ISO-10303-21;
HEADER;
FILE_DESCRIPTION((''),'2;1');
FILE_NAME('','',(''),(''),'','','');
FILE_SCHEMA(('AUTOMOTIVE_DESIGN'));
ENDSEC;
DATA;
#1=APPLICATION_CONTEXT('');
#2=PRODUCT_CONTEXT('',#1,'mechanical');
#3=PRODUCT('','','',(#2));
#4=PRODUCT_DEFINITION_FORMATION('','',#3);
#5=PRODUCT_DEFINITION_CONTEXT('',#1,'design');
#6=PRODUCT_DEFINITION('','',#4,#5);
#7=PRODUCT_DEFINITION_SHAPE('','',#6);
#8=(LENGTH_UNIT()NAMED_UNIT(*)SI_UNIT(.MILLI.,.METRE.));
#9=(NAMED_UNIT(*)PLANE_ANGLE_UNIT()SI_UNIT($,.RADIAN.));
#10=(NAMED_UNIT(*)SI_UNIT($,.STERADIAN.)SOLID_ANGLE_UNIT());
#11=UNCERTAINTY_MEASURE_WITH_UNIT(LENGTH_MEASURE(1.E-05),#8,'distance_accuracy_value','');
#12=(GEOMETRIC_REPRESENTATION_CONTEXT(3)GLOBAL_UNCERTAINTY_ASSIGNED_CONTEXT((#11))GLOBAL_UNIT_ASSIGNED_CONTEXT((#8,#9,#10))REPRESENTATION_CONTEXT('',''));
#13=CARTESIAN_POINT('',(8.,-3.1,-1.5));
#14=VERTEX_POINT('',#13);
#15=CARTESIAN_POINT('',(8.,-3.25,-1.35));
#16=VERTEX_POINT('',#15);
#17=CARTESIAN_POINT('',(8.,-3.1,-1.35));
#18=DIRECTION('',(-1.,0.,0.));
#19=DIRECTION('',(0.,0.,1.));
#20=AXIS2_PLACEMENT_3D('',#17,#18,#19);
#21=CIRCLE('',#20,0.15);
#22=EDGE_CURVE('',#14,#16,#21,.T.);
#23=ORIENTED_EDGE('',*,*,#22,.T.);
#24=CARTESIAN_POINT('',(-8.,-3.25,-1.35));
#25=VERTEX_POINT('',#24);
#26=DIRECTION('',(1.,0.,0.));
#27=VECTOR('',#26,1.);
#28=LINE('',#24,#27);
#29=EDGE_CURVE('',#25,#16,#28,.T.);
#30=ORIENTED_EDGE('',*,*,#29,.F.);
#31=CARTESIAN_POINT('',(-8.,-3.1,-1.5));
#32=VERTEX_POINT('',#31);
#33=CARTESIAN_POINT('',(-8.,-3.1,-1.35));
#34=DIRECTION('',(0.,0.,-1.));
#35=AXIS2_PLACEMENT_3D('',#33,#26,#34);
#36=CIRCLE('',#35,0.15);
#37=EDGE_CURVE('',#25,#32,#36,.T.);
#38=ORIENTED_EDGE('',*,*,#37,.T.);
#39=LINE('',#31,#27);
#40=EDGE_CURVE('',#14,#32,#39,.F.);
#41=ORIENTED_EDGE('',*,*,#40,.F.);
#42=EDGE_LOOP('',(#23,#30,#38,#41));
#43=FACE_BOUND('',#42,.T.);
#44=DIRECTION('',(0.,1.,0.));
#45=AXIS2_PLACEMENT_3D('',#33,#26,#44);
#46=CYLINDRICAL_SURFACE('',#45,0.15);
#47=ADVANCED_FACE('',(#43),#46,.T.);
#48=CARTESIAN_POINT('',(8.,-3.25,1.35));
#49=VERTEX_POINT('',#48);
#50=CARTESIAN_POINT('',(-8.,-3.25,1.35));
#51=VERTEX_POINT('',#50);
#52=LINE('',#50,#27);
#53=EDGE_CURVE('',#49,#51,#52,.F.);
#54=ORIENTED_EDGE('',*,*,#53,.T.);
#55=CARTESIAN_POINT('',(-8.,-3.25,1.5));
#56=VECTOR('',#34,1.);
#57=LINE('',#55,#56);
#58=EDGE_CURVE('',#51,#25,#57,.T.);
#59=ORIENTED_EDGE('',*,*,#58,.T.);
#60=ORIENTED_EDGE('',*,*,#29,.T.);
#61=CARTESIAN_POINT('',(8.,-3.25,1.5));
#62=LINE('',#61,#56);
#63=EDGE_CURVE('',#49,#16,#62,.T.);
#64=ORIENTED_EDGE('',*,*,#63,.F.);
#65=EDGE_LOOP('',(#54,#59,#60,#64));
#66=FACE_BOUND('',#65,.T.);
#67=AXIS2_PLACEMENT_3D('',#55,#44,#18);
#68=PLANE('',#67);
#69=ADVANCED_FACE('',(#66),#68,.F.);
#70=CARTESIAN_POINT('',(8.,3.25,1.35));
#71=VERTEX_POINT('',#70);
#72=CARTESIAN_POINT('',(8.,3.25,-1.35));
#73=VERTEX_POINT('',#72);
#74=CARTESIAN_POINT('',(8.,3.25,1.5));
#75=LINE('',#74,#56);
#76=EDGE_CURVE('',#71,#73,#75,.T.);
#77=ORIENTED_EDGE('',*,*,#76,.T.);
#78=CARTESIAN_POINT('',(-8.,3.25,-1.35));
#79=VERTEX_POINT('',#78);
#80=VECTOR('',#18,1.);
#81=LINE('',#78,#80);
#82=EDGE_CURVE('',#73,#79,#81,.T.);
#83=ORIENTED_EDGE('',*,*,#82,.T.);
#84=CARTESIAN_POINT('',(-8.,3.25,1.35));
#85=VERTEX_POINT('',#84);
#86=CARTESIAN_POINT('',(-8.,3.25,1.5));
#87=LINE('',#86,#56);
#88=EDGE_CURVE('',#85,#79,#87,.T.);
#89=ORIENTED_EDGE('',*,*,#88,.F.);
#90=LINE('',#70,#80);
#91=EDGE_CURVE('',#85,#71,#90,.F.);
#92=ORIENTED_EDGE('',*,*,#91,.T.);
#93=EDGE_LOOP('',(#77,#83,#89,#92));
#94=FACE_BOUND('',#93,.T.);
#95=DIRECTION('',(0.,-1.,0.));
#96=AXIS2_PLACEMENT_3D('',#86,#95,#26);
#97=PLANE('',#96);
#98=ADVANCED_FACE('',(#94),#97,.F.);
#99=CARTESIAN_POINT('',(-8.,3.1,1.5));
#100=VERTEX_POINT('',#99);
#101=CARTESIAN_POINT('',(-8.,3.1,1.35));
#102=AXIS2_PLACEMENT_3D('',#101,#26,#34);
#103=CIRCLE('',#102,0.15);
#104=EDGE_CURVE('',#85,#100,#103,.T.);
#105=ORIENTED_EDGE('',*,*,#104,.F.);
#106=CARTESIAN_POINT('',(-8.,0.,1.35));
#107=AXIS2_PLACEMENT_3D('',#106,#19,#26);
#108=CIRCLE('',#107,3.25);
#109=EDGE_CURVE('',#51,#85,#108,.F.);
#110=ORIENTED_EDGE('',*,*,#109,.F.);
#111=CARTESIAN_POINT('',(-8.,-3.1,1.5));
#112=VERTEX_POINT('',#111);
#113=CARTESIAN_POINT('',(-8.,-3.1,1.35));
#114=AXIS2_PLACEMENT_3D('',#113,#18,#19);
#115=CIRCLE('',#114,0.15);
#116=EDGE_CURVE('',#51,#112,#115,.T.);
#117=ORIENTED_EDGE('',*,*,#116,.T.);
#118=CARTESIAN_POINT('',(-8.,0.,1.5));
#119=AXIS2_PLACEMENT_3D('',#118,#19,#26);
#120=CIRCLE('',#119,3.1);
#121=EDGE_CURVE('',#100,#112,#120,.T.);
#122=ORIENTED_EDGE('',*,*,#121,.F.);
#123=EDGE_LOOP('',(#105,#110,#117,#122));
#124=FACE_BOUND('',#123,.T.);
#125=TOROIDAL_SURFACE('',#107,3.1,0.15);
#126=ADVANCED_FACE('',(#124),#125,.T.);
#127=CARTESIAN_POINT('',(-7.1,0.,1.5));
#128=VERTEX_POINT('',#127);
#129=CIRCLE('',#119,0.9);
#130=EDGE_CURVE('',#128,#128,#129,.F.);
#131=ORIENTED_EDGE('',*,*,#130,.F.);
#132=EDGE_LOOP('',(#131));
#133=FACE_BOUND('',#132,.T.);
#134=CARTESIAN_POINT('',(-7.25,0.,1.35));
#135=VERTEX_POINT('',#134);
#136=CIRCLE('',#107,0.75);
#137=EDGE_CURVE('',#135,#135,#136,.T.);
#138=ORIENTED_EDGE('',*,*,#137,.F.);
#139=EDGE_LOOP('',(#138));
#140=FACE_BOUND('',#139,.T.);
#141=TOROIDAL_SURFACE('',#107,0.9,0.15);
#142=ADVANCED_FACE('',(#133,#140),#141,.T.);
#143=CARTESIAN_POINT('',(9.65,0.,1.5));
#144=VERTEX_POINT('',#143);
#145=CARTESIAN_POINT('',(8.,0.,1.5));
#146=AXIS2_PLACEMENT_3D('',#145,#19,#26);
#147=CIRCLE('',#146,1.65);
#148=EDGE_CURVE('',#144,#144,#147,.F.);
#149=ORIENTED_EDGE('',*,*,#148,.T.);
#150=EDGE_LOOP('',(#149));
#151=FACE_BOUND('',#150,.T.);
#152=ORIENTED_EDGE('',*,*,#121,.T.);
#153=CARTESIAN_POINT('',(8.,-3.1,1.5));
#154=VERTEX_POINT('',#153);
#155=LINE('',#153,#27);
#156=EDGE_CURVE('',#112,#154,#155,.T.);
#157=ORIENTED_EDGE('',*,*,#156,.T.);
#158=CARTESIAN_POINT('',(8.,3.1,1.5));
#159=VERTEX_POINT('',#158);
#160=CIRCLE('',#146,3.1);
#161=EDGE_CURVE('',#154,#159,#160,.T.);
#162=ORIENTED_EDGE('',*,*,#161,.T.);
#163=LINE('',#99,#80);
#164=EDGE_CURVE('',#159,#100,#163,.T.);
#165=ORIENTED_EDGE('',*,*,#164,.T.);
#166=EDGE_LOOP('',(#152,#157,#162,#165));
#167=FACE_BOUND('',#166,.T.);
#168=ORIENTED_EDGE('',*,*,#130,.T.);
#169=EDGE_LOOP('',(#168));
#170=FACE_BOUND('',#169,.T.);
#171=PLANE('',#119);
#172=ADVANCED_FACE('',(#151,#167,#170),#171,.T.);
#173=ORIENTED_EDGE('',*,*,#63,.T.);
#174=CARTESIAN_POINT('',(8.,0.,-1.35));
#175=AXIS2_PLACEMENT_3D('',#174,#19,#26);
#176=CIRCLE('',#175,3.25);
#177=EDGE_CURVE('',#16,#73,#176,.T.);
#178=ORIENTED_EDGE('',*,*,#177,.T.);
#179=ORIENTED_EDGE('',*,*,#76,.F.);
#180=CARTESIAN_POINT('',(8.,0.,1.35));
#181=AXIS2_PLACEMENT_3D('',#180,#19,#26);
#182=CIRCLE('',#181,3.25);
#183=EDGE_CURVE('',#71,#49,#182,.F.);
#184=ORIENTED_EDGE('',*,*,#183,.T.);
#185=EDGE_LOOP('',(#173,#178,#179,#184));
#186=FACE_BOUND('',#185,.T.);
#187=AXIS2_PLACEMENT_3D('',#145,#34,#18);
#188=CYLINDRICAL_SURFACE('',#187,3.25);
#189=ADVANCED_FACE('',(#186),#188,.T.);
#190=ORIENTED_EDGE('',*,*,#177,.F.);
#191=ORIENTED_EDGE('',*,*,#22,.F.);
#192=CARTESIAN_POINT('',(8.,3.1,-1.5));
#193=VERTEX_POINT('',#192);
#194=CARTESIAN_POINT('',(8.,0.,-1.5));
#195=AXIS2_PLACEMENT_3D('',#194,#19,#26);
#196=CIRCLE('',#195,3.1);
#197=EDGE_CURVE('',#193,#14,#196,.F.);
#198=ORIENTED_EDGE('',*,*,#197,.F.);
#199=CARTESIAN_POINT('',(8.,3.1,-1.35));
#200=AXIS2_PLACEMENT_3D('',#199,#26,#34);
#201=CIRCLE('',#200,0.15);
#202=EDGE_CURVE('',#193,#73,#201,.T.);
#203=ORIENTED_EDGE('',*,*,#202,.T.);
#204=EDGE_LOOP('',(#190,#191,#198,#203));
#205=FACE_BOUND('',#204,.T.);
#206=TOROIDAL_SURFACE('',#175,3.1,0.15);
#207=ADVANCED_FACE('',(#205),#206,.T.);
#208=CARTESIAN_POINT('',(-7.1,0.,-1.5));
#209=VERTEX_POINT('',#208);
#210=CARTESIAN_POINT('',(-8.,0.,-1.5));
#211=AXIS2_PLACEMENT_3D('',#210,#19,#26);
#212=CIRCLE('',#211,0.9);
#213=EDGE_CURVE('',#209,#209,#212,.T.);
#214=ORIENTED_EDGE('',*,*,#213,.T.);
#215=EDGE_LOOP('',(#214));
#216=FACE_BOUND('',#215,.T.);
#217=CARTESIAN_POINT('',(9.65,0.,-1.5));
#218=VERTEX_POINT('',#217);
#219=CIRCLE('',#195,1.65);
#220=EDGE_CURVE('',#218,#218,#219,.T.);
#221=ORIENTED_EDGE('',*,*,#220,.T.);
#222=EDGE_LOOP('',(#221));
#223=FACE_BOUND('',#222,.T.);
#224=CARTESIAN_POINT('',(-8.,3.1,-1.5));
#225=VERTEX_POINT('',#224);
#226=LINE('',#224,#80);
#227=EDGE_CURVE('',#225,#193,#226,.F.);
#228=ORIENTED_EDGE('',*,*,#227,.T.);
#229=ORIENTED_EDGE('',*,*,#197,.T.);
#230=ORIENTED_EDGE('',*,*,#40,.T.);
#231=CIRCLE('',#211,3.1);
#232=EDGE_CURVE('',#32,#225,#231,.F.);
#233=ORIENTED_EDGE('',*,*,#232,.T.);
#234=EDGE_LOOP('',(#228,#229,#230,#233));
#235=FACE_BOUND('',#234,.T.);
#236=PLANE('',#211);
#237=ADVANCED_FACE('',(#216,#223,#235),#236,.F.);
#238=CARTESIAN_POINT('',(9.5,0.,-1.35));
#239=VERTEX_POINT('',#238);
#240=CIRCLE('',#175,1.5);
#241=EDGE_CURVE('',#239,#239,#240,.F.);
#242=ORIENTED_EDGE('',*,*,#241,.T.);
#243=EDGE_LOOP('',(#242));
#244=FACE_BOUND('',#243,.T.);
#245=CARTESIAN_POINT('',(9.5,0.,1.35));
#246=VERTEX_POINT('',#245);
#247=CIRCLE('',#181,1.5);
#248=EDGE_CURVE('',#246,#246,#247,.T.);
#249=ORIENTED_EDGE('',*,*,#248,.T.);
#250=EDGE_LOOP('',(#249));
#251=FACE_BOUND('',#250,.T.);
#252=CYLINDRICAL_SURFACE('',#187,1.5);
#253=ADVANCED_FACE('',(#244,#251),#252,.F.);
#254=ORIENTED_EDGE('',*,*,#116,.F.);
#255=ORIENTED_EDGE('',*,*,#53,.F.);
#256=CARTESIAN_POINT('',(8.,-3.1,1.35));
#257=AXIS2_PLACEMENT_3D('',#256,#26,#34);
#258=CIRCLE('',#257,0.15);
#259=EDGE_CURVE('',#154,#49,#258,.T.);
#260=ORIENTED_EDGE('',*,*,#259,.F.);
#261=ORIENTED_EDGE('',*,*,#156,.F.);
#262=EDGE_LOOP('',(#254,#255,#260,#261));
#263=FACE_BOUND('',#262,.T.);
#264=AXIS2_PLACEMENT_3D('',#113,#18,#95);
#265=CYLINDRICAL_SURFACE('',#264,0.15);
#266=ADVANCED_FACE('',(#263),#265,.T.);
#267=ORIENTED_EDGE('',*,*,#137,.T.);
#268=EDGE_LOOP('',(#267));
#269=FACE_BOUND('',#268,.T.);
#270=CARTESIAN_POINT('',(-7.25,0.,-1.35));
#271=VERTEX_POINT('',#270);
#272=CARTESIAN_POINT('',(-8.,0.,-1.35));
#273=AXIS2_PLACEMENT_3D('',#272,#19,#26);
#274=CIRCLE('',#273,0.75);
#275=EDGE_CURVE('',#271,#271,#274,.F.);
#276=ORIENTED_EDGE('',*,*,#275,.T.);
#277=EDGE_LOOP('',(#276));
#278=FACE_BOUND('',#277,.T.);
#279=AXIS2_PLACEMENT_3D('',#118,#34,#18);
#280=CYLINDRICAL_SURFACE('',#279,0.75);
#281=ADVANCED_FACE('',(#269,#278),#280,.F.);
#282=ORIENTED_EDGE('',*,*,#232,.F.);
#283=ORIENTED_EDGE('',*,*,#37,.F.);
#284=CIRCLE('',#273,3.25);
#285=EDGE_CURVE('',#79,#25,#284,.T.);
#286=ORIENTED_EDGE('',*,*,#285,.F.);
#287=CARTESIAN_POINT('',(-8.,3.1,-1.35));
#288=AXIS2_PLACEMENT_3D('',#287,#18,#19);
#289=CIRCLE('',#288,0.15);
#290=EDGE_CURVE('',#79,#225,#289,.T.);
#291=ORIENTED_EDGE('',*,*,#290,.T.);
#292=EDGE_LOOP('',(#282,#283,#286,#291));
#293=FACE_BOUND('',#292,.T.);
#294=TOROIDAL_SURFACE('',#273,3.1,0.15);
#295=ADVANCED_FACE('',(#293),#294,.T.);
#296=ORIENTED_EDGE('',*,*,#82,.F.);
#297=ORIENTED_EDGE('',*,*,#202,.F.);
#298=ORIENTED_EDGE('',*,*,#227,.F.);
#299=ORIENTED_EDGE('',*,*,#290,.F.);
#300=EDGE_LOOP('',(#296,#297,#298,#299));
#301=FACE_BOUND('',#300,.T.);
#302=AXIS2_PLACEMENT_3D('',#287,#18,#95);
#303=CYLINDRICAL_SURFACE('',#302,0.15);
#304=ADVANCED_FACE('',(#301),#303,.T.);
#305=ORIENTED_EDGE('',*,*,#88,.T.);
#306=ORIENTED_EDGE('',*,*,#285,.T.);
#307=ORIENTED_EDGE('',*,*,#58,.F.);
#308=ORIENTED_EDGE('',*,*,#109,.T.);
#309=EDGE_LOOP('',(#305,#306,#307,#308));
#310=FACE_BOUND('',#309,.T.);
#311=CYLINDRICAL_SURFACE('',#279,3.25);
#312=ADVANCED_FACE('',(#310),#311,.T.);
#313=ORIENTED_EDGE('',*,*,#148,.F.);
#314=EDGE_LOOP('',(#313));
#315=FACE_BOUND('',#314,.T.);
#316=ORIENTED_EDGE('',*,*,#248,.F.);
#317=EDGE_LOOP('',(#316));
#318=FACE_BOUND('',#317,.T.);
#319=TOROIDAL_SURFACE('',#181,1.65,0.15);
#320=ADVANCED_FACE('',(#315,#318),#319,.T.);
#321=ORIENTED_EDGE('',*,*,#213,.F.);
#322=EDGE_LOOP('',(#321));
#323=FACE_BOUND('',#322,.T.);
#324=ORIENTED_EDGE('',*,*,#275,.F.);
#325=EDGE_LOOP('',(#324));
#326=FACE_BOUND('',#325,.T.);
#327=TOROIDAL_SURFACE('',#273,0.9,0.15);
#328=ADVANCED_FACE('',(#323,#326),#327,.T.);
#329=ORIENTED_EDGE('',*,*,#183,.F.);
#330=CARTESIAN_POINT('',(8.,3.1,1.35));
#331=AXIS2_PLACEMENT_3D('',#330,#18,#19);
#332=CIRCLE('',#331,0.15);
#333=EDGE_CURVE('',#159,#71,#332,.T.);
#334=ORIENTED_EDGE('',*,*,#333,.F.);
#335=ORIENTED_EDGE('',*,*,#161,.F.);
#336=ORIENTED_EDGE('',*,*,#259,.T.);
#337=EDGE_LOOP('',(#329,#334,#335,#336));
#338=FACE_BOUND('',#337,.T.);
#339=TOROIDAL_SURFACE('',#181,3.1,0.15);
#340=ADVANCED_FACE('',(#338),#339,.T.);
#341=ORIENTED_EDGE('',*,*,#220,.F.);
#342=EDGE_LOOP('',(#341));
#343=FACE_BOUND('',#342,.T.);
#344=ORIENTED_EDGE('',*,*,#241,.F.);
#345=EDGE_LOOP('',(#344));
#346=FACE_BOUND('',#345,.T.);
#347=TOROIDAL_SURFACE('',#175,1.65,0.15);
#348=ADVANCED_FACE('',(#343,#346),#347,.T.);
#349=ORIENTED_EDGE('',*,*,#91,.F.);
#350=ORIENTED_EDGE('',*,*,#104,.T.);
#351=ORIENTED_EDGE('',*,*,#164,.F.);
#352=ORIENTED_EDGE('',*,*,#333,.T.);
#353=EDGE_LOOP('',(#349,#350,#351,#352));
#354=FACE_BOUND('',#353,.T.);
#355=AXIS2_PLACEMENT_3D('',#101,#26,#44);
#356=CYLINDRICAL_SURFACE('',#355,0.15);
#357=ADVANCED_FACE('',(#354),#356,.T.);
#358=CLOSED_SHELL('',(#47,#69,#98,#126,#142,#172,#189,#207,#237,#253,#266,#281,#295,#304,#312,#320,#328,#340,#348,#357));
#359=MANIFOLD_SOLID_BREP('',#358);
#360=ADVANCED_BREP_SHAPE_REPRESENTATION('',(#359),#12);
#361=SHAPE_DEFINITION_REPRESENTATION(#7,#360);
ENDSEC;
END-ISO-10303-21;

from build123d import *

# Parameters (mm, degrees)
SKETCH1_R           = 0.75
SKETCH1_R_2         = 1.5
BOSS_EXTRUDE1_DEPTH = 1.5
FILLET1_R           = 0.15


with BuildPart() as part:
    # Sketch1 → Boss-Extrude1 (new body, symmetric)
    with BuildSketch(Plane.XY):
        with BuildLine():
            Line((-8, 3.25), (8, 3.25))
            ThreePointArc((8, 3.25), (11.25, 0), (8, -3.25))
            Line((8, -3.25), (-8, -3.25))
            ThreePointArc((-8, -3.25), (-11.25, 0), (-8, 3.25))
        make_face()
        with Locations((-8, 0)):
            Circle(SKETCH1_R, mode=Mode.SUBTRACT)
        with Locations((8, 0)):
            Circle(SKETCH1_R_2, mode=Mode.SUBTRACT)
    extrude(amount=BOSS_EXTRUDE1_DEPTH, both=True)

    # Fillet1
    fillet1_edges = [part.edges().sort_by_distance(p)[0] for p in [
        (-8.75, 0, -1.5),
        (-8.75, 0, 1.5),
        (11.25, 0, 1.5),
        (6.5, 0, -1.5),
        (6.5, 0, 1.5),
        (0, 3.25, 1.5),
        (-11.25, 0, 1.5),
        (0, 3.25, -1.5),
        (11.25, 0, -1.5),
        (0, -3.25, -1.5),
        (-11.25, 0, -1.5),
        (0, -3.25, 1.5),
    ]]
    fillet(fillet1_edges, radius=FILLET1_R)


solid = part.part
